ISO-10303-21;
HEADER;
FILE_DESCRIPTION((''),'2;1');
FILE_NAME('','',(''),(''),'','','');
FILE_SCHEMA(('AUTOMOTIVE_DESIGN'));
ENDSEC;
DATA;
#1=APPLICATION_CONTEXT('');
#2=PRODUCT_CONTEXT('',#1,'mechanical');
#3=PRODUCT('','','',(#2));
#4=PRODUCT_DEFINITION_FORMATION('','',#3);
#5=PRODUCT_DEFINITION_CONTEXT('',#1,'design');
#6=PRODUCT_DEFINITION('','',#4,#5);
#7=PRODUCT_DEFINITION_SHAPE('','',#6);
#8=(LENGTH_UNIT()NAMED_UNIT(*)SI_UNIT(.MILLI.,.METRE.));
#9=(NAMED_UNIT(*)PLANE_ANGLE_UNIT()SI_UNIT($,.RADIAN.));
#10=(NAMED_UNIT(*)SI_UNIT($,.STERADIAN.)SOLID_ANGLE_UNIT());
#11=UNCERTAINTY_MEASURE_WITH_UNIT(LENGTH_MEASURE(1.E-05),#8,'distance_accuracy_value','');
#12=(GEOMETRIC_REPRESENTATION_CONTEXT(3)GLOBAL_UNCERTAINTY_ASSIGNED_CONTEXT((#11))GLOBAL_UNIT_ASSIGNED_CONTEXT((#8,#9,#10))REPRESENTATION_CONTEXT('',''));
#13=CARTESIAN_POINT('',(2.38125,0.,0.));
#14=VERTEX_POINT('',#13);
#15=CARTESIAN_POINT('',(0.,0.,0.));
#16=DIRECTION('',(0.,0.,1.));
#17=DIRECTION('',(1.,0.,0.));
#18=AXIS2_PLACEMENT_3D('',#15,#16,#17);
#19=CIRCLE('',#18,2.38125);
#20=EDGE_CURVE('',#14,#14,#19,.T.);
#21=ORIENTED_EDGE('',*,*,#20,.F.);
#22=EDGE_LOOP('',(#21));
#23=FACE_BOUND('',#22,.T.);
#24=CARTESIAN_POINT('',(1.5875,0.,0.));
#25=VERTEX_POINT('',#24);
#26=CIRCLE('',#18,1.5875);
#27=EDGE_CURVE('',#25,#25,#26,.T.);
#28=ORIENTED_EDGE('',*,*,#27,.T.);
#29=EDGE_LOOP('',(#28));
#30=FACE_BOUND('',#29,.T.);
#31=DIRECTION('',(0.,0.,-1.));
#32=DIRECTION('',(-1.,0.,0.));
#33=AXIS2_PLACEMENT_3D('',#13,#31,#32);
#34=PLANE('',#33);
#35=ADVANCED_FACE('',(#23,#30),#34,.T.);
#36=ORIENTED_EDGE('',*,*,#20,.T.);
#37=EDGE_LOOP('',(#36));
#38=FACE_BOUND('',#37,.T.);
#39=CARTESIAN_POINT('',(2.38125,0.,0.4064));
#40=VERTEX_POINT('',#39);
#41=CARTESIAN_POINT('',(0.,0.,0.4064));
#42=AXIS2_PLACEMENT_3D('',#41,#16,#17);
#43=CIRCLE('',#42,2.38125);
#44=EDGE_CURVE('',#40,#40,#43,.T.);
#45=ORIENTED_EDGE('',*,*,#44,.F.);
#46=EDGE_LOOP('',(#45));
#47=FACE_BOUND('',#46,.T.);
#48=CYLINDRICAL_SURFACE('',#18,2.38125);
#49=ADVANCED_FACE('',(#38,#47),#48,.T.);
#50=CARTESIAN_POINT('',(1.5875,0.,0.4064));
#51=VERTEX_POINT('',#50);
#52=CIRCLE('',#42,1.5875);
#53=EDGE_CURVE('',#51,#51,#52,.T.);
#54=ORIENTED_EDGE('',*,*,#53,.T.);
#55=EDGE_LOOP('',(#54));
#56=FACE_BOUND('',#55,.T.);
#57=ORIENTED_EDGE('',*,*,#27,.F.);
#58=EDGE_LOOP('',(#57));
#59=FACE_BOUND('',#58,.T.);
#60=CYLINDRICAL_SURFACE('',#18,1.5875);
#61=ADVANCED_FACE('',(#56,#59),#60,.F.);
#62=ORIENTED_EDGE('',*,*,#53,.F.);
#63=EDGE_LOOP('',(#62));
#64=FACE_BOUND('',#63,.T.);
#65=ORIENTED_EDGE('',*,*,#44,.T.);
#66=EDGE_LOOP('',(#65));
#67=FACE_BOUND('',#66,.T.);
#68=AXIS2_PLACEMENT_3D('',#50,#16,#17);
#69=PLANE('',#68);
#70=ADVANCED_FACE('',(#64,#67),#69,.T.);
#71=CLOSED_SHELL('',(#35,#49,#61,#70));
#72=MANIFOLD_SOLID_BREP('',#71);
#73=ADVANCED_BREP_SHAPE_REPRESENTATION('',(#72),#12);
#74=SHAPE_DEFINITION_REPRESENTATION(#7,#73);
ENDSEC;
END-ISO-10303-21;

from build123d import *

# Parameters (mm, degrees)
SKETCH1_W = 0.79375
SKETCH1_H = 0.4064


with BuildPart() as part:
    # Sketch1 → Revolve1 (revolve)
    with BuildSketch(Plane(origin=(0, 0, 0), x_dir=(1, 0, 0), z_dir=(0, 1, 0))):
        with Locations((1.984375, -0.2032)):
            Rectangle(SKETCH1_W, SKETCH1_H)
    revolve(axis=Axis((0, 0, 0), (0, 0, 1)))


solid = part.part
